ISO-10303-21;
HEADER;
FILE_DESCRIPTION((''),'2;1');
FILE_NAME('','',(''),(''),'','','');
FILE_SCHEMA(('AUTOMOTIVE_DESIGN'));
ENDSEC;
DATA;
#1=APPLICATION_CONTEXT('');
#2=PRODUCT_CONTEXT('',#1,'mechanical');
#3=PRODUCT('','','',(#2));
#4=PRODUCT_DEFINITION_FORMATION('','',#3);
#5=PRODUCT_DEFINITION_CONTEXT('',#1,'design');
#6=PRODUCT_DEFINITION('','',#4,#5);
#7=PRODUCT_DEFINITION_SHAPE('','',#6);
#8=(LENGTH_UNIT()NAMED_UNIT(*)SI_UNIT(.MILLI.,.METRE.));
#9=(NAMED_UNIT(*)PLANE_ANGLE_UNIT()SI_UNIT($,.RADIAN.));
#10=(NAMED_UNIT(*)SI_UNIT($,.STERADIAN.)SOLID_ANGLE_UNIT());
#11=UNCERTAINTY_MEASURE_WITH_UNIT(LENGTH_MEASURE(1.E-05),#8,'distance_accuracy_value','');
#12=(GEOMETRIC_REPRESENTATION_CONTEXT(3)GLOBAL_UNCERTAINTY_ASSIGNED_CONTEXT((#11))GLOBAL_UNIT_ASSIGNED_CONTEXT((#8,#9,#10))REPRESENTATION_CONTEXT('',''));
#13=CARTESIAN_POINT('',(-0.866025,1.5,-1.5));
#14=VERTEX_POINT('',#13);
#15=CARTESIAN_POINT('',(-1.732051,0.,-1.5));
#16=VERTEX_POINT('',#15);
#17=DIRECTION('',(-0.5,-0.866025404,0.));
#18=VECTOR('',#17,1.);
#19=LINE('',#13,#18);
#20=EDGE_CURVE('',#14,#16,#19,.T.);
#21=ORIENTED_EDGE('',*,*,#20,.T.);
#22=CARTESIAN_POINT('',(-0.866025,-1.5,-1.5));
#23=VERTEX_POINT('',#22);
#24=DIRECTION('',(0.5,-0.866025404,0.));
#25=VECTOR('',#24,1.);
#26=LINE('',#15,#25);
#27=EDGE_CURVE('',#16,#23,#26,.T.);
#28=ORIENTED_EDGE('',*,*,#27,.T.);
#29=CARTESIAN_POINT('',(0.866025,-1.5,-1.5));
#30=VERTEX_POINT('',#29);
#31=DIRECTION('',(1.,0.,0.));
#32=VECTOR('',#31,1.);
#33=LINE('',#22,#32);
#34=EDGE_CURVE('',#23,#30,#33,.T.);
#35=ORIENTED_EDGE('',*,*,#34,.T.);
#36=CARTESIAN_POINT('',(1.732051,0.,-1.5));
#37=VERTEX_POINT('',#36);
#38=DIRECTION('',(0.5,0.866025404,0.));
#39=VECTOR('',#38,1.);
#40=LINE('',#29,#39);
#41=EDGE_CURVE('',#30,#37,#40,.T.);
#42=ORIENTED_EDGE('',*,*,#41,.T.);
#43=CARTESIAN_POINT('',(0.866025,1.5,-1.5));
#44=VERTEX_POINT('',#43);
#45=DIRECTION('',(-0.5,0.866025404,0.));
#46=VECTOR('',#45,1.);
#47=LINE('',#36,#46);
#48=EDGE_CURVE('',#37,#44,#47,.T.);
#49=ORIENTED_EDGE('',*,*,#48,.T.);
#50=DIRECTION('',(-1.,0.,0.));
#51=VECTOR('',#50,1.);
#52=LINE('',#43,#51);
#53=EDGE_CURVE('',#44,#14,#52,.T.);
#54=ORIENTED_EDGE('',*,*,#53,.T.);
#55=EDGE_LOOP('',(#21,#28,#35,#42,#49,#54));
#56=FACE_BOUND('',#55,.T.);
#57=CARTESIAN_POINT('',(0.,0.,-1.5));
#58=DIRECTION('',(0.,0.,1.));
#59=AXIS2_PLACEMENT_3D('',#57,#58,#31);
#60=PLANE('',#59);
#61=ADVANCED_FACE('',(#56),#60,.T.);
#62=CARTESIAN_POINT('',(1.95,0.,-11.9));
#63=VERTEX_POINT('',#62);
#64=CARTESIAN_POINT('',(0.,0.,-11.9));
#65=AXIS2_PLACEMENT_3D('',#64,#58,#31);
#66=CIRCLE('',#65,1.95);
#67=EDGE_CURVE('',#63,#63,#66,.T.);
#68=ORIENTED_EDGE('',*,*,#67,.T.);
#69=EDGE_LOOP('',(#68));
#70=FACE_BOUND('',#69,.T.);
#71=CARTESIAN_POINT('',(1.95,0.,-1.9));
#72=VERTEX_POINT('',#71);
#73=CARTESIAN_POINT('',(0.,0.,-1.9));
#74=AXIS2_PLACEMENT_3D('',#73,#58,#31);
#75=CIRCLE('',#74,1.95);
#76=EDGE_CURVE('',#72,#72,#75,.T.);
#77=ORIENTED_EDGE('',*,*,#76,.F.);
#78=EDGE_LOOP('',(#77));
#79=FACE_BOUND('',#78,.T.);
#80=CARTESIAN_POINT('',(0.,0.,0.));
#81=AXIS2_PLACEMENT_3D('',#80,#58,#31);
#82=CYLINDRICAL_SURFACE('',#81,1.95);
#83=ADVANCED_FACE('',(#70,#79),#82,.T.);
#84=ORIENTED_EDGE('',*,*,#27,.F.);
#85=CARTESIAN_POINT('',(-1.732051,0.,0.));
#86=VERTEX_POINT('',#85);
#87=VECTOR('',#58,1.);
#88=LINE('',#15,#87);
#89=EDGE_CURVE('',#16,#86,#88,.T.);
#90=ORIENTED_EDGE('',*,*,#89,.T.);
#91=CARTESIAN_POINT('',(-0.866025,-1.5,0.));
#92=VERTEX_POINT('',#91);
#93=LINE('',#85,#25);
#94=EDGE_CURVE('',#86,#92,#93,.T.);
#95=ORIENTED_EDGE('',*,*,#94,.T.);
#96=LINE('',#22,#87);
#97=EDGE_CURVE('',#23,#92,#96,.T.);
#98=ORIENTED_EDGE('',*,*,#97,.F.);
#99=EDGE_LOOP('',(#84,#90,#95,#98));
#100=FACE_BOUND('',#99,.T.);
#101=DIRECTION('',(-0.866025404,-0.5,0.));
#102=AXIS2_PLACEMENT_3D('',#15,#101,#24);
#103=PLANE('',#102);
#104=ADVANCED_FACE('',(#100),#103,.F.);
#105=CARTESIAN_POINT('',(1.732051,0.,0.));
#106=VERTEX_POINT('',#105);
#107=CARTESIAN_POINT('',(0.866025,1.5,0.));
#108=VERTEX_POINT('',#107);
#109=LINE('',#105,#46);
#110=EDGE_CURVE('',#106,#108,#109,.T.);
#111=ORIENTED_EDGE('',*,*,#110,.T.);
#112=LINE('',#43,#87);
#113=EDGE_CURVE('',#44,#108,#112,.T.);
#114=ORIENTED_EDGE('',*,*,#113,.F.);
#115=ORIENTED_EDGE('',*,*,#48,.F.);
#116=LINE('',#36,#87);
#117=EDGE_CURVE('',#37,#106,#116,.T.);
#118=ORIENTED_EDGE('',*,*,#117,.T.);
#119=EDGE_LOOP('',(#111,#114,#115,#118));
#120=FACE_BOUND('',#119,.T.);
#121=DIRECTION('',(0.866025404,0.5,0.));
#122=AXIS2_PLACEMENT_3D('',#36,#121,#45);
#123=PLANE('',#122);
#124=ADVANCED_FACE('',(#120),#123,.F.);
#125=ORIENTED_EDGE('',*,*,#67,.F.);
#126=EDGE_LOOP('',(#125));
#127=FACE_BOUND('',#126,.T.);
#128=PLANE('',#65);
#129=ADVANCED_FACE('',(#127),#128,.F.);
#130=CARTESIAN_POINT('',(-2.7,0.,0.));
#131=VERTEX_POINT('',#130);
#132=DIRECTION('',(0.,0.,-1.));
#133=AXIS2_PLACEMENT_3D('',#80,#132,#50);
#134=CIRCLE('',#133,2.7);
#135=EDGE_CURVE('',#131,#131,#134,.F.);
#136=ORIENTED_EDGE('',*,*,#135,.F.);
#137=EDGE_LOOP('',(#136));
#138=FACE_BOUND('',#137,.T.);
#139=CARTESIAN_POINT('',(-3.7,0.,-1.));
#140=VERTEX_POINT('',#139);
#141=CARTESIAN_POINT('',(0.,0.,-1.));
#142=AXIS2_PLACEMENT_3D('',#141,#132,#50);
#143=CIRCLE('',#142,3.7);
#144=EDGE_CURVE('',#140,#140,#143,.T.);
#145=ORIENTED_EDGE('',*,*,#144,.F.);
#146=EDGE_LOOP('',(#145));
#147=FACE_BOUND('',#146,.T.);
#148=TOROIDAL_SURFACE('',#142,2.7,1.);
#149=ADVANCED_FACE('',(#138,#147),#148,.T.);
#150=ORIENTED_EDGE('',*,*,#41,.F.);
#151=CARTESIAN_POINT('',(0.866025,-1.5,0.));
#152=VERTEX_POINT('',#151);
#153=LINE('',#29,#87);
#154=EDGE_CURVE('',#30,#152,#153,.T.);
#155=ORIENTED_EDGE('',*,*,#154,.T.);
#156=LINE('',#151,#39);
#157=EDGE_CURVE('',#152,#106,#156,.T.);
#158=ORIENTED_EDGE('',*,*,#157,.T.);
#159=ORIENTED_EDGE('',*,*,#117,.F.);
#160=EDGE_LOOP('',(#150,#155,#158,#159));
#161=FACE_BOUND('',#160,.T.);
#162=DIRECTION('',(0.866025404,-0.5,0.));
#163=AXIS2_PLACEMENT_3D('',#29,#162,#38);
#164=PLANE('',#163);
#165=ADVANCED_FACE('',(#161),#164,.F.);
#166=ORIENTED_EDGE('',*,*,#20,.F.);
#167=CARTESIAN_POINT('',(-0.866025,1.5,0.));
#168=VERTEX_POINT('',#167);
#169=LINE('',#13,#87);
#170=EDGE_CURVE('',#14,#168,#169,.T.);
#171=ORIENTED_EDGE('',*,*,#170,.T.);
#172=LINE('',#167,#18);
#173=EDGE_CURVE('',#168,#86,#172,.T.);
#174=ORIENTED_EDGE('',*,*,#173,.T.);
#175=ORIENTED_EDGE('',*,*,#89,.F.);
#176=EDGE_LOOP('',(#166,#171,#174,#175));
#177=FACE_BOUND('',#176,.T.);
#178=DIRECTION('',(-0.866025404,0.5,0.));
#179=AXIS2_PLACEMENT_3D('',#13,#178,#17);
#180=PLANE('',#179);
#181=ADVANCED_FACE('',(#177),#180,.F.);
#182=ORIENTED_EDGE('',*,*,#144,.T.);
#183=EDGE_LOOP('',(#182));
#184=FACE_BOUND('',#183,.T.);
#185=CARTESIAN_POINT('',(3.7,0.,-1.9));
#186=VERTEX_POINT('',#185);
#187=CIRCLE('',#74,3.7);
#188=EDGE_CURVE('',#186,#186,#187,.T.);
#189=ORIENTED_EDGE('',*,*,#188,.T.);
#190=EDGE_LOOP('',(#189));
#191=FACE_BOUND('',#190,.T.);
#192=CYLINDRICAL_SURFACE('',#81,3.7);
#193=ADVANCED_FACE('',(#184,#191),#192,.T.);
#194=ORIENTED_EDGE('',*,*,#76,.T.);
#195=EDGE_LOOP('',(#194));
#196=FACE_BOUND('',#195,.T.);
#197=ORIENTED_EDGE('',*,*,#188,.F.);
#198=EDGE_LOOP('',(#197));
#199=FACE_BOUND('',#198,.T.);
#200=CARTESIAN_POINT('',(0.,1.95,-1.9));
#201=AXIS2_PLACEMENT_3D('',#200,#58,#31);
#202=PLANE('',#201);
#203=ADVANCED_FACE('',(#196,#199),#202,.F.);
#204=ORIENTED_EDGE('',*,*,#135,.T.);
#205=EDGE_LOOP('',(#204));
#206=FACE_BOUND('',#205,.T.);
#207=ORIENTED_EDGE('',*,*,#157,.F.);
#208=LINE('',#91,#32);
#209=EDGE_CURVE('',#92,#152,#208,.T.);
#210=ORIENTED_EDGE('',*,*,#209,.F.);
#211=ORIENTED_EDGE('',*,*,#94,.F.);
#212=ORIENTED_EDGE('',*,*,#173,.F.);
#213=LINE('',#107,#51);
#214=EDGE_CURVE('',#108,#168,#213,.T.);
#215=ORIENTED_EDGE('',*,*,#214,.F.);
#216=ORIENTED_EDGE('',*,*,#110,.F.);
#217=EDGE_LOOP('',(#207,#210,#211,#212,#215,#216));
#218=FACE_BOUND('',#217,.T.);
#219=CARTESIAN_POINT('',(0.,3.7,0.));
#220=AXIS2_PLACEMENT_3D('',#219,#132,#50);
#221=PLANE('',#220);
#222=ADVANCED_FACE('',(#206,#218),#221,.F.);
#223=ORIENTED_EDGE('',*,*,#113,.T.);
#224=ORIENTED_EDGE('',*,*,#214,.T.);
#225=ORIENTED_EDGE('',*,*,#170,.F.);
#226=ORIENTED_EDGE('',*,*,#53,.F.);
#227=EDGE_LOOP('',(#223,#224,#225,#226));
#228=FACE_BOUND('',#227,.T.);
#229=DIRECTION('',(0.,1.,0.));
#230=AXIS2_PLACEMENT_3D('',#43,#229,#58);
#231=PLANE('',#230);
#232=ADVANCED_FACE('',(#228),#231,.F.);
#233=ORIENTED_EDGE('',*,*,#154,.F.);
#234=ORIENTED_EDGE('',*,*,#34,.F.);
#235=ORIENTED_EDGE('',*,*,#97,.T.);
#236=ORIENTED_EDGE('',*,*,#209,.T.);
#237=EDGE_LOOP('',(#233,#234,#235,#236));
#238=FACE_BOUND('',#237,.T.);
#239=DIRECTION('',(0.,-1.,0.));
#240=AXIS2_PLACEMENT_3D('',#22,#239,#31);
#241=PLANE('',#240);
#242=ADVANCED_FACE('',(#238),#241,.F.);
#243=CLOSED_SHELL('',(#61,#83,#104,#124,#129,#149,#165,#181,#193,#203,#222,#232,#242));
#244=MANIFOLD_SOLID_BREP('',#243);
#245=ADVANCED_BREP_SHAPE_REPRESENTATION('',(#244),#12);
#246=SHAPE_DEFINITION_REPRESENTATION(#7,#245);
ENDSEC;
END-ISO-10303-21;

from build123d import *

# Parameters (mm, degrees)
FILLET1_R          = 1
CUT_EXTRUDE1_DEPTH = 1.5


with BuildPart() as part:
    # Sketch1 → Revolve1 (revolve)
    with BuildSketch(Plane(origin=(0, 0, 0), x_dir=(0, 0, -1), z_dir=(1, 0, 0)), mode=Mode.PRIVATE) as revolve1_sk:
        Polygon((1.9, 1.95), (1.9, 3.7), (0, 3.7), (0, 0), (11.9, 0), (11.9, 1.95), align=None)
    revolve(revolve1_sk.sketch.rotate(Axis((0, 0, 0), (0, 0, -1)), 90), axis=Axis((0, 0, 0), (0, 0, -1)))

    # Fillet1
    fillet1_edges = [part.edges().sort_by_distance(p)[0] for p in [
        (-3.7, 0, 0),
    ]]
    fillet(fillet1_edges, radius=FILLET1_R)

    # Sketch2 → Cut-Extrude1 (cut)
    with BuildSketch(Plane.XY):
        Polygon((-1.732050808, 0), (-0.866025404, -1.5), (0.866025404, -1.5), (1.732050808, 0), (0.866025404, 1.5), (-0.866025404, 1.5), align=None)
    extrude(amount=-CUT_EXTRUDE1_DEPTH, mode=Mode.SUBTRACT)


solid = part.part
